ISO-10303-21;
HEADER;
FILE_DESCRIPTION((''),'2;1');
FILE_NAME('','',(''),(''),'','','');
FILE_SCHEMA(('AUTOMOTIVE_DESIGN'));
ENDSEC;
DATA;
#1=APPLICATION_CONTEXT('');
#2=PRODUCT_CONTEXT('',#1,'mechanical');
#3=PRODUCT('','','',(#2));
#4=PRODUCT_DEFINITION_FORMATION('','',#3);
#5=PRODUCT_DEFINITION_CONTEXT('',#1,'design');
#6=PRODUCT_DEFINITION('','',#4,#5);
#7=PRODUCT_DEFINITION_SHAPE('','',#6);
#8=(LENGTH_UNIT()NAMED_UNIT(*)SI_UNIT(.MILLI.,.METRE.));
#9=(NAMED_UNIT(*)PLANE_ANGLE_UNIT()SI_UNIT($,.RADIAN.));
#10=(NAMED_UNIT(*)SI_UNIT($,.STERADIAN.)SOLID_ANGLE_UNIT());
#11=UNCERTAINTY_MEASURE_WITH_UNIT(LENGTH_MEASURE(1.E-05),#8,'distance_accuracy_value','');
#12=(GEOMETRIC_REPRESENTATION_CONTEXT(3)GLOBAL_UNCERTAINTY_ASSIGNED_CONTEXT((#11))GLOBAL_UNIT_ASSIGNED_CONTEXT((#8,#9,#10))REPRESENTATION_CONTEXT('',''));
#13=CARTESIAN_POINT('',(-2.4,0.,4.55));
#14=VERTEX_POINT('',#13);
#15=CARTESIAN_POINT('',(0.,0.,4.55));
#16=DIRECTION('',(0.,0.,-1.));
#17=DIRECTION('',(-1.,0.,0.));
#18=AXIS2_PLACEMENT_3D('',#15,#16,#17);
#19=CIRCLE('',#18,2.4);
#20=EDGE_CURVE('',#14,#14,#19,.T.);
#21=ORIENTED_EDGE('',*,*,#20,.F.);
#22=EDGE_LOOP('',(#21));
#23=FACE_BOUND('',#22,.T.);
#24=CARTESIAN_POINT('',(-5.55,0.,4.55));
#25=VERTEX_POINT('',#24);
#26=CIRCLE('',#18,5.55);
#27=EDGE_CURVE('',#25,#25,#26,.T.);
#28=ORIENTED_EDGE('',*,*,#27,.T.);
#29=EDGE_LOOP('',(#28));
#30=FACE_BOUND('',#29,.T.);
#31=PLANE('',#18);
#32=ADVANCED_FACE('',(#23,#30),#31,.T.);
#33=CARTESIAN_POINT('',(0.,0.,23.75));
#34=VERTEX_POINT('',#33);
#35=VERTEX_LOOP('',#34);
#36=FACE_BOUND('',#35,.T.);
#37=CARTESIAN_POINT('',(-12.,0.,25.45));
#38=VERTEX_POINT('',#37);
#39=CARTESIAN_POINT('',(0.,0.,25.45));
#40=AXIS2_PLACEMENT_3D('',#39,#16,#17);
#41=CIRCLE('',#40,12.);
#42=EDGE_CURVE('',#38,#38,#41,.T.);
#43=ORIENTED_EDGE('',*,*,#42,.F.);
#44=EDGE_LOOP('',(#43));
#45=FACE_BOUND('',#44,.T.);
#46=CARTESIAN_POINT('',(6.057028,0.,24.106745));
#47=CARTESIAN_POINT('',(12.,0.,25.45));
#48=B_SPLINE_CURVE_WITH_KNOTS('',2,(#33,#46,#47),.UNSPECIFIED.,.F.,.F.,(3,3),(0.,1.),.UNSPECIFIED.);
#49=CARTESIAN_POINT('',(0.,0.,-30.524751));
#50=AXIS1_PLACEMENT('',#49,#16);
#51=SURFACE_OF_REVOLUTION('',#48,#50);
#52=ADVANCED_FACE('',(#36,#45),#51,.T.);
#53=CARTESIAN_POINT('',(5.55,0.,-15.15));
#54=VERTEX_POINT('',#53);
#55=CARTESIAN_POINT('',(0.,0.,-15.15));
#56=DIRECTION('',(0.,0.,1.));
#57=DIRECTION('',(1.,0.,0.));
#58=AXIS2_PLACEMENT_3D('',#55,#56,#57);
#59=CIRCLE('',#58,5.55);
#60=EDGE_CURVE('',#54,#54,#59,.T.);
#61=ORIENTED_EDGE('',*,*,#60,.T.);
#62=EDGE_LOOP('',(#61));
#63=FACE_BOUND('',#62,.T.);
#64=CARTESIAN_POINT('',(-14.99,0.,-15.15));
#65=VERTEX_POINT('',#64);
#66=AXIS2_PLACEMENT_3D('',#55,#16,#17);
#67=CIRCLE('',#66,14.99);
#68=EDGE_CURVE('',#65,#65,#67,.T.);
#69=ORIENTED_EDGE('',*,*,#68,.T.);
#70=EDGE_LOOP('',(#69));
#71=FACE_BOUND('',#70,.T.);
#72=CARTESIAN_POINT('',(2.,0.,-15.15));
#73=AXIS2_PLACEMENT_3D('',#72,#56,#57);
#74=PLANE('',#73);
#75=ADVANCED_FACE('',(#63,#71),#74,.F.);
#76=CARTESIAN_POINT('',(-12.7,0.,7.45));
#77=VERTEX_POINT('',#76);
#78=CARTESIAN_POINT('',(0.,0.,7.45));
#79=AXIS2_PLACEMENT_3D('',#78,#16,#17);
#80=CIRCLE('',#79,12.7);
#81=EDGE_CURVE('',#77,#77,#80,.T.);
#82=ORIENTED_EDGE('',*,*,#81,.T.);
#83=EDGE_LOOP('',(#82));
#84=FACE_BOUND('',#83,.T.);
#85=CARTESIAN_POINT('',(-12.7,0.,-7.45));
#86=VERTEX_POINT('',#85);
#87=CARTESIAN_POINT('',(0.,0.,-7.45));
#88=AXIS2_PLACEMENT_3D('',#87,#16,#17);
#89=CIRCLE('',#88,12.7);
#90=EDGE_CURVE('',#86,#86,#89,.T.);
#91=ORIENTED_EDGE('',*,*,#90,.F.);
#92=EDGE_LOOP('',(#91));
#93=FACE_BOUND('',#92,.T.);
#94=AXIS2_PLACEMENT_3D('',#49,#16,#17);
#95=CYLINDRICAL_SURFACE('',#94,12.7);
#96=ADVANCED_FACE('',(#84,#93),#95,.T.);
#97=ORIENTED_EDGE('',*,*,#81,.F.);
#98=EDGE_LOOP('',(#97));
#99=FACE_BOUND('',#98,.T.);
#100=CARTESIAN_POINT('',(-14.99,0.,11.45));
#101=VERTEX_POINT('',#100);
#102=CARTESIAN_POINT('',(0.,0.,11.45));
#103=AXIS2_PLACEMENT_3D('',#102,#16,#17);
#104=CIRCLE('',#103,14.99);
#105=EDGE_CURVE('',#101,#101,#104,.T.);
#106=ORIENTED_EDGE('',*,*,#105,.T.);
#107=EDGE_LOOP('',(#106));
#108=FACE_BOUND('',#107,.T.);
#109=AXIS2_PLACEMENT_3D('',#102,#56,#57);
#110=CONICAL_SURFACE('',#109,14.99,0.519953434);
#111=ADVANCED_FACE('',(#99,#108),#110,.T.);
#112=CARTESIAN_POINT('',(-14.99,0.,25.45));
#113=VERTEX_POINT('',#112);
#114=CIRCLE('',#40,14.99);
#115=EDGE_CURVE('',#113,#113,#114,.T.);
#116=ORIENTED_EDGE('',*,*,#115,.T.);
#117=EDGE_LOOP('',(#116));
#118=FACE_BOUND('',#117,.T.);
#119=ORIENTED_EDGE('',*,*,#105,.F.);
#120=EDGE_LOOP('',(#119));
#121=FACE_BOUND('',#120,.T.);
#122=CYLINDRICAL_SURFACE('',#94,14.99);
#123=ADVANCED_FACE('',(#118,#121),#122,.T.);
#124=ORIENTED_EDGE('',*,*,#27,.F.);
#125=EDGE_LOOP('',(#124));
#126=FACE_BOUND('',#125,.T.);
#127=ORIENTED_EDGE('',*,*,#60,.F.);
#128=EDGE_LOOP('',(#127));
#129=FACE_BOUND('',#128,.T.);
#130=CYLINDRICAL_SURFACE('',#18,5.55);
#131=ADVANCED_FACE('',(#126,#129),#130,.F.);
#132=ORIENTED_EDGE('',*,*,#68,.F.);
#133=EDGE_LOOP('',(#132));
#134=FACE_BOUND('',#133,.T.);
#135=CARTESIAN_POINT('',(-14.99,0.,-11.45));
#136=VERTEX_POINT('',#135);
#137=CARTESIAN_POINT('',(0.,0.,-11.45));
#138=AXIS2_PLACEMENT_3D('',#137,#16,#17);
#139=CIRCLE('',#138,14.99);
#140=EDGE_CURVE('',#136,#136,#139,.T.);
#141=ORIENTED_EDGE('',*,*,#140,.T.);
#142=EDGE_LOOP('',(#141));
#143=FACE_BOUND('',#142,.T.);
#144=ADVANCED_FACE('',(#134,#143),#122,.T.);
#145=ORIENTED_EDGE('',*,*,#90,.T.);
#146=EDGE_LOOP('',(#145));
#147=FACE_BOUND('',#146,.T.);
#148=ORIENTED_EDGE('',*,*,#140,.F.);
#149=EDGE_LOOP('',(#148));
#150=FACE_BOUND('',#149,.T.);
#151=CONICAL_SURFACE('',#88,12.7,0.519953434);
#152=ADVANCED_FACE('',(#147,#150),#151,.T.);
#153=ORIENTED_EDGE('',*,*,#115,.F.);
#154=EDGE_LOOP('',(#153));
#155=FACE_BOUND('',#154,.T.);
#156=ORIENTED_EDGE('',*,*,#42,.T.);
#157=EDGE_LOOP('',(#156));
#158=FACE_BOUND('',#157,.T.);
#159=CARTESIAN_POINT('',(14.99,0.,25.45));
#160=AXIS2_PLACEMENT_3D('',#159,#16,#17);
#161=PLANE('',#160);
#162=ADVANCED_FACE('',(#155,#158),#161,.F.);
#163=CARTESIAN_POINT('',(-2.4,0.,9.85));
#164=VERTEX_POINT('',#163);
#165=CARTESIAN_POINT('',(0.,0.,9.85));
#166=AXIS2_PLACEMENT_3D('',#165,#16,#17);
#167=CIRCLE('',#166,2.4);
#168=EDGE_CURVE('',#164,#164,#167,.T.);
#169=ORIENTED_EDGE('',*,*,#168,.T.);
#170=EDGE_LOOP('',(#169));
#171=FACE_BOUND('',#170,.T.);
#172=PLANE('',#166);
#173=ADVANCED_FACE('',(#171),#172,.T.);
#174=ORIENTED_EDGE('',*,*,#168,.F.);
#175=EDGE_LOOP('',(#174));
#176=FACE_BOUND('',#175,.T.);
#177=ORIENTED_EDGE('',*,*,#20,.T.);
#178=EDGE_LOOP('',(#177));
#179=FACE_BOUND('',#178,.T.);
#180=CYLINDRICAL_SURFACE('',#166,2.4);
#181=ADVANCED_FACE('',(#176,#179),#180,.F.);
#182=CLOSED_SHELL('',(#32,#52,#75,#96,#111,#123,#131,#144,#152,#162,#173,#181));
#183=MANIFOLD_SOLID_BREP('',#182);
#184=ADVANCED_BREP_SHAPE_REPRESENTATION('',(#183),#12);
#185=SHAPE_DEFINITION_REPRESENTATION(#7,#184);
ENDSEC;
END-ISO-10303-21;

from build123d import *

# Parameters (mm, degrees)
SKETCH3_R          = 5.55
CUT_EXTRUDE1_DEPTH = 20
SKETCH4_R          = 2.4
CUT_EXTRUDE2_DEPTH = 25


with BuildPart() as part:
    # Sketch2 → Revolve1 (revolve)
    with BuildSketch(Plane(origin=(0, 0, 0), x_dir=(1, 0, 0), z_dir=(0, 1, 0)), mode=Mode.PRIVATE) as revolve1_sk:
        with BuildLine():
            Line((0, 15.45), (2, 15.45))
            Line((2, 15.45), (2, 15.15))
            Line((2, 15.15), (14.99, 15.15))
            Line((14.99, 15.15), (14.99, 11.45))
            Line((14.99, 11.45), (12.7, 7.45))
            Line((12.7, 7.45), (12.7, -7.45))
            Line((12.7, -7.45), (14.99, -11.45))
            Line((14.99, -11.45), (14.99, -15.15))
            Line((14.99, -15.15), (14.99, -25.45))
            Line((14.99, -25.45), (12, -25.45))
            add(Edge.make_bspline(
                [(0, -23.75), (6.057028237, -24.106745249), (12, -25.45)],
                knots=[0, 0, 0, 1, 1, 1], degree=2))
            Line((0, -23.75), (0, 0))
            Line((0, 0), (0, 15.45))
        make_face()
    revolve(revolve1_sk.sketch.rotate(Axis((0, 0, -30.524751378), (0, 0, 1)), 180), axis=Axis((0, 0, -30.524751378), (0, 0, 1)))

    # Sketch3 → Cut-Extrude1 (cut)
    with BuildSketch(Plane(origin=(0, 0, -15.45), x_dir=(-1, 0, 0), z_dir=(0, 0, -1))):
        Circle(SKETCH3_R)
    extrude(amount=-CUT_EXTRUDE1_DEPTH, mode=Mode.SUBTRACT)

    # Sketch4 → Cut-Extrude2 (cut)
    with BuildSketch(Plane(origin=(0, 0, -15.15), x_dir=(-1, 0, 0), z_dir=(0, 0, -1))):
        Circle(SKETCH4_R)
    extrude(amount=-CUT_EXTRUDE2_DEPTH, mode=Mode.SUBTRACT)


solid = part.part
